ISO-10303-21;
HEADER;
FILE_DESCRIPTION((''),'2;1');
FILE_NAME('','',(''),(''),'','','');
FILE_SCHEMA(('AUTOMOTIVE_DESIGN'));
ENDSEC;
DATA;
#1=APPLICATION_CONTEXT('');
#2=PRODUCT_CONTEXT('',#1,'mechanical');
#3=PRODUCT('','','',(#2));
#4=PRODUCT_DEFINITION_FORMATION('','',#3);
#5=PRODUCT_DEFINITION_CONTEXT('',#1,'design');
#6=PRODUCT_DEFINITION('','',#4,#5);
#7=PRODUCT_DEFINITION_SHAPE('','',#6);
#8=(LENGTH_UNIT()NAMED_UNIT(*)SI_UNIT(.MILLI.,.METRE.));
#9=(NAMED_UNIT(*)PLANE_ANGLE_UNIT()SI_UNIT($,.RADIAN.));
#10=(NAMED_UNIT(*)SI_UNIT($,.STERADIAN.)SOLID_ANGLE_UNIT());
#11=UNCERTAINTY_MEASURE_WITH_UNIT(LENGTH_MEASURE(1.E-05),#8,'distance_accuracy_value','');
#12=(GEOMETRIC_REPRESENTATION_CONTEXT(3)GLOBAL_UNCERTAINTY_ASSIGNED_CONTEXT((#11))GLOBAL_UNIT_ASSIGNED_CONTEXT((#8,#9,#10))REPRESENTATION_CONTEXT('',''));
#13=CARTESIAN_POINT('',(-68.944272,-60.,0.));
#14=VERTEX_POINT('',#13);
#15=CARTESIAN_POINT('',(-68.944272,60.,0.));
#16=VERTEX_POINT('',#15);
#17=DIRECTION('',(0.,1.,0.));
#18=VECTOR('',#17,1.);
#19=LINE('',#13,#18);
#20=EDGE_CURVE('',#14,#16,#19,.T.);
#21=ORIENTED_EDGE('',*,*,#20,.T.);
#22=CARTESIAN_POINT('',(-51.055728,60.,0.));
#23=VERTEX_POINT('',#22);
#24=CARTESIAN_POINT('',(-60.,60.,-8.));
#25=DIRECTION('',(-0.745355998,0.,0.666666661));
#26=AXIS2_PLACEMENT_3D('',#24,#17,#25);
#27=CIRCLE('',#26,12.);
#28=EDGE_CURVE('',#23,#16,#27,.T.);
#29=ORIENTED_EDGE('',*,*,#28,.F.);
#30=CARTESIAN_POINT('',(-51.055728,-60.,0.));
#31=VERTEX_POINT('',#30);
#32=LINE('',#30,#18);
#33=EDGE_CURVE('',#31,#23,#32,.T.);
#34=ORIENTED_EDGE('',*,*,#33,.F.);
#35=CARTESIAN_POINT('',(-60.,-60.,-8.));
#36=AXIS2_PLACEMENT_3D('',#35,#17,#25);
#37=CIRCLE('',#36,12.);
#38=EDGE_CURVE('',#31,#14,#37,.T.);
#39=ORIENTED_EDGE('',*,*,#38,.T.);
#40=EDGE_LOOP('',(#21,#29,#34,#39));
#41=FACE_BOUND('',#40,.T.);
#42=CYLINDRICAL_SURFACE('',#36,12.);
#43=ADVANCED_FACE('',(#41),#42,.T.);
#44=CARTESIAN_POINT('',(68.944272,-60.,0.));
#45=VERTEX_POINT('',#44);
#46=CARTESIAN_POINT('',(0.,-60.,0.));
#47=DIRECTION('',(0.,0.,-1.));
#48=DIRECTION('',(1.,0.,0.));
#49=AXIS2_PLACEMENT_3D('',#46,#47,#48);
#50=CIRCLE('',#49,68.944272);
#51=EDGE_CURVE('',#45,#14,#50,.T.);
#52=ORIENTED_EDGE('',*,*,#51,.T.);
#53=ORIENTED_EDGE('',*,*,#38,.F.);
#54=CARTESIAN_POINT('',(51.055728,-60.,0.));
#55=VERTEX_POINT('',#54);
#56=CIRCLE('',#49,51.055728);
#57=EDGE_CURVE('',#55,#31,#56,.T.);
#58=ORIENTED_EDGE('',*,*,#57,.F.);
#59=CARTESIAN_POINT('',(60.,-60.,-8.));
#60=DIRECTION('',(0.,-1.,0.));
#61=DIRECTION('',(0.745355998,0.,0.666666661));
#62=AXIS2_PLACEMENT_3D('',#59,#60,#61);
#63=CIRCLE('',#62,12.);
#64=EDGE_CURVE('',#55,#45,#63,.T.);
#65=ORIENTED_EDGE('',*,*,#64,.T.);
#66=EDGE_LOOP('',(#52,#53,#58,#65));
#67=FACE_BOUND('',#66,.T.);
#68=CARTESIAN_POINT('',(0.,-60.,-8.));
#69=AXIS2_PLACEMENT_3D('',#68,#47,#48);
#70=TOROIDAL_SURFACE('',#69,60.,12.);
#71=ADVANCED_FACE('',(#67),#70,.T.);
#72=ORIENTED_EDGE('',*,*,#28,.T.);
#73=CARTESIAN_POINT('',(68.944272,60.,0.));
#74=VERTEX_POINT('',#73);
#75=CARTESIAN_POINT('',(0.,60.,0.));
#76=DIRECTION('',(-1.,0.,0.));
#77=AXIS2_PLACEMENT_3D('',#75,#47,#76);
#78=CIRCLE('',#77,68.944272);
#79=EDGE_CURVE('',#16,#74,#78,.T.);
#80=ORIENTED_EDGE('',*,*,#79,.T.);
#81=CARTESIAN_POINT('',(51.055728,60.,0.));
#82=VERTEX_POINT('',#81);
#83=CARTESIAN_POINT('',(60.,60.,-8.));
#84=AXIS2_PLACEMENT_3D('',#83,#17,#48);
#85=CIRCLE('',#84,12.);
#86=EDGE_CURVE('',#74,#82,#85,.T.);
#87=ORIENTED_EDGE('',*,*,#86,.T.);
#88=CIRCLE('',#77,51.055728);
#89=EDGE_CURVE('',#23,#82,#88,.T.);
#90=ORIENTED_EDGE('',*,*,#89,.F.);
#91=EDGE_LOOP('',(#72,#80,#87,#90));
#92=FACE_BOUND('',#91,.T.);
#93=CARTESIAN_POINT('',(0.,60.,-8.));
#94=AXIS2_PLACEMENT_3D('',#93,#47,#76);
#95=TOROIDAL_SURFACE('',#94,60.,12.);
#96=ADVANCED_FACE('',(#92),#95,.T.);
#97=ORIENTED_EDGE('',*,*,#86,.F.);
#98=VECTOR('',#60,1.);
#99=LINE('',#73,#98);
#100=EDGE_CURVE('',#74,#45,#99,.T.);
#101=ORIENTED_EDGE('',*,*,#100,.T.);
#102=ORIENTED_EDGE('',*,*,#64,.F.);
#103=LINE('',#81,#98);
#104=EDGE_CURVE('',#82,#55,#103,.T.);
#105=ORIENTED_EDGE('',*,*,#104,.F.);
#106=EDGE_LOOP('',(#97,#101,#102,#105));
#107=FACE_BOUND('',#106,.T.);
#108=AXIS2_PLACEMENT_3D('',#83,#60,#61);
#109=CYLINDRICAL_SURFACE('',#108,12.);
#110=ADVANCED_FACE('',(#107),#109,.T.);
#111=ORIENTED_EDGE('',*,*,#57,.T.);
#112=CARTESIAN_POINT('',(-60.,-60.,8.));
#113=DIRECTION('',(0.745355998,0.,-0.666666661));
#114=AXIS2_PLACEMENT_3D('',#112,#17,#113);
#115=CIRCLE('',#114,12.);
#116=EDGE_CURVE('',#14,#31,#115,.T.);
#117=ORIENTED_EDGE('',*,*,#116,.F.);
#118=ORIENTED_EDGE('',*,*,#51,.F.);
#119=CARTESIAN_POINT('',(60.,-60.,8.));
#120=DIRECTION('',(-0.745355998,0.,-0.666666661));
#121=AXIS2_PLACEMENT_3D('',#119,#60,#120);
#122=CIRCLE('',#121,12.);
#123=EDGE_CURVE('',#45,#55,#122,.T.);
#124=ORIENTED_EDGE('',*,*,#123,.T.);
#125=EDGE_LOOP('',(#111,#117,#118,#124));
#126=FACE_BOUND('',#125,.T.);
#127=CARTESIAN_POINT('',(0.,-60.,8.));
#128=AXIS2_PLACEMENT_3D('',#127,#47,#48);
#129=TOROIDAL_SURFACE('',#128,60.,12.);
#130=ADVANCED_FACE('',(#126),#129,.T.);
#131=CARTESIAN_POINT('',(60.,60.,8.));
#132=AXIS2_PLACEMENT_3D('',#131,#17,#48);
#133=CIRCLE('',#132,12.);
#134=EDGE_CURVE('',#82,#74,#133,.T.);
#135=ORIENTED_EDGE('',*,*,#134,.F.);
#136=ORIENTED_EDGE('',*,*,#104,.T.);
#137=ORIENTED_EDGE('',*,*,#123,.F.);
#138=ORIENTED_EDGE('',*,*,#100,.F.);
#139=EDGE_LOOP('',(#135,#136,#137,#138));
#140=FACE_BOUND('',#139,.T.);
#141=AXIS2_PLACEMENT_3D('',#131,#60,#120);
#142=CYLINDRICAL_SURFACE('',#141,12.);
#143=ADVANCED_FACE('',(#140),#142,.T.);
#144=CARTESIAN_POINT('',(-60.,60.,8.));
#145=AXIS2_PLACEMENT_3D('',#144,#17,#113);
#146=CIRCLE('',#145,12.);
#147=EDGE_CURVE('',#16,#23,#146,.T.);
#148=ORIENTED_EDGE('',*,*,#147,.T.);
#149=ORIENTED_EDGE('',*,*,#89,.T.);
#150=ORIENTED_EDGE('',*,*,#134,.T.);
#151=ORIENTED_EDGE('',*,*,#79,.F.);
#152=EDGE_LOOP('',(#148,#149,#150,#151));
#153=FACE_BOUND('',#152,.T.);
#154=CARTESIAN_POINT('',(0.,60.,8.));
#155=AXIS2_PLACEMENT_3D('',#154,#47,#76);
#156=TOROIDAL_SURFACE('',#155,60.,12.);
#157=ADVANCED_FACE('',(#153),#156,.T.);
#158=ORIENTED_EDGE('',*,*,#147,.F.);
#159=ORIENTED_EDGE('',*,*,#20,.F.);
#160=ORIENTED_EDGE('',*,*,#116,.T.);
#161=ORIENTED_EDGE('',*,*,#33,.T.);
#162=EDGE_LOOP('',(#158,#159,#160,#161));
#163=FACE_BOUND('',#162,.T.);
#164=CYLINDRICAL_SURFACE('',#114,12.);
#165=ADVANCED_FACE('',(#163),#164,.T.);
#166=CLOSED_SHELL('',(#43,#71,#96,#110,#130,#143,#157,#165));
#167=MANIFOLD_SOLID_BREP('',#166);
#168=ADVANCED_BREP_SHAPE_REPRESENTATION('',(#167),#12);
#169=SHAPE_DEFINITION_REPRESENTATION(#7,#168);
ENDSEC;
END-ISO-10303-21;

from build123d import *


with BuildPart() as f2:
    # F2: sweep along a path in F1
    with BuildLine(Plane.XY) as f2_path:
        Line((-60, -60), (-60, 60))
        ThreePointArc((-60, 60), (0, 120), (60, 60))
        Line((60, 60), (60, -60))
        ThreePointArc((60, -60), (0, -120), (-60, -60))
    # F0 (on Front) → F2 (sweep)
    with BuildSketch(Plane.XZ):
        with BuildLine():
            ThreePointArc((-51.055728, 0), (-60, 20), (-68.944272, 0))
            ThreePointArc((-68.944272, 0), (-60, -20), (-51.055728, 0))
        make_face()
    sweep(path=f2_path.line)


solid = f2.part
